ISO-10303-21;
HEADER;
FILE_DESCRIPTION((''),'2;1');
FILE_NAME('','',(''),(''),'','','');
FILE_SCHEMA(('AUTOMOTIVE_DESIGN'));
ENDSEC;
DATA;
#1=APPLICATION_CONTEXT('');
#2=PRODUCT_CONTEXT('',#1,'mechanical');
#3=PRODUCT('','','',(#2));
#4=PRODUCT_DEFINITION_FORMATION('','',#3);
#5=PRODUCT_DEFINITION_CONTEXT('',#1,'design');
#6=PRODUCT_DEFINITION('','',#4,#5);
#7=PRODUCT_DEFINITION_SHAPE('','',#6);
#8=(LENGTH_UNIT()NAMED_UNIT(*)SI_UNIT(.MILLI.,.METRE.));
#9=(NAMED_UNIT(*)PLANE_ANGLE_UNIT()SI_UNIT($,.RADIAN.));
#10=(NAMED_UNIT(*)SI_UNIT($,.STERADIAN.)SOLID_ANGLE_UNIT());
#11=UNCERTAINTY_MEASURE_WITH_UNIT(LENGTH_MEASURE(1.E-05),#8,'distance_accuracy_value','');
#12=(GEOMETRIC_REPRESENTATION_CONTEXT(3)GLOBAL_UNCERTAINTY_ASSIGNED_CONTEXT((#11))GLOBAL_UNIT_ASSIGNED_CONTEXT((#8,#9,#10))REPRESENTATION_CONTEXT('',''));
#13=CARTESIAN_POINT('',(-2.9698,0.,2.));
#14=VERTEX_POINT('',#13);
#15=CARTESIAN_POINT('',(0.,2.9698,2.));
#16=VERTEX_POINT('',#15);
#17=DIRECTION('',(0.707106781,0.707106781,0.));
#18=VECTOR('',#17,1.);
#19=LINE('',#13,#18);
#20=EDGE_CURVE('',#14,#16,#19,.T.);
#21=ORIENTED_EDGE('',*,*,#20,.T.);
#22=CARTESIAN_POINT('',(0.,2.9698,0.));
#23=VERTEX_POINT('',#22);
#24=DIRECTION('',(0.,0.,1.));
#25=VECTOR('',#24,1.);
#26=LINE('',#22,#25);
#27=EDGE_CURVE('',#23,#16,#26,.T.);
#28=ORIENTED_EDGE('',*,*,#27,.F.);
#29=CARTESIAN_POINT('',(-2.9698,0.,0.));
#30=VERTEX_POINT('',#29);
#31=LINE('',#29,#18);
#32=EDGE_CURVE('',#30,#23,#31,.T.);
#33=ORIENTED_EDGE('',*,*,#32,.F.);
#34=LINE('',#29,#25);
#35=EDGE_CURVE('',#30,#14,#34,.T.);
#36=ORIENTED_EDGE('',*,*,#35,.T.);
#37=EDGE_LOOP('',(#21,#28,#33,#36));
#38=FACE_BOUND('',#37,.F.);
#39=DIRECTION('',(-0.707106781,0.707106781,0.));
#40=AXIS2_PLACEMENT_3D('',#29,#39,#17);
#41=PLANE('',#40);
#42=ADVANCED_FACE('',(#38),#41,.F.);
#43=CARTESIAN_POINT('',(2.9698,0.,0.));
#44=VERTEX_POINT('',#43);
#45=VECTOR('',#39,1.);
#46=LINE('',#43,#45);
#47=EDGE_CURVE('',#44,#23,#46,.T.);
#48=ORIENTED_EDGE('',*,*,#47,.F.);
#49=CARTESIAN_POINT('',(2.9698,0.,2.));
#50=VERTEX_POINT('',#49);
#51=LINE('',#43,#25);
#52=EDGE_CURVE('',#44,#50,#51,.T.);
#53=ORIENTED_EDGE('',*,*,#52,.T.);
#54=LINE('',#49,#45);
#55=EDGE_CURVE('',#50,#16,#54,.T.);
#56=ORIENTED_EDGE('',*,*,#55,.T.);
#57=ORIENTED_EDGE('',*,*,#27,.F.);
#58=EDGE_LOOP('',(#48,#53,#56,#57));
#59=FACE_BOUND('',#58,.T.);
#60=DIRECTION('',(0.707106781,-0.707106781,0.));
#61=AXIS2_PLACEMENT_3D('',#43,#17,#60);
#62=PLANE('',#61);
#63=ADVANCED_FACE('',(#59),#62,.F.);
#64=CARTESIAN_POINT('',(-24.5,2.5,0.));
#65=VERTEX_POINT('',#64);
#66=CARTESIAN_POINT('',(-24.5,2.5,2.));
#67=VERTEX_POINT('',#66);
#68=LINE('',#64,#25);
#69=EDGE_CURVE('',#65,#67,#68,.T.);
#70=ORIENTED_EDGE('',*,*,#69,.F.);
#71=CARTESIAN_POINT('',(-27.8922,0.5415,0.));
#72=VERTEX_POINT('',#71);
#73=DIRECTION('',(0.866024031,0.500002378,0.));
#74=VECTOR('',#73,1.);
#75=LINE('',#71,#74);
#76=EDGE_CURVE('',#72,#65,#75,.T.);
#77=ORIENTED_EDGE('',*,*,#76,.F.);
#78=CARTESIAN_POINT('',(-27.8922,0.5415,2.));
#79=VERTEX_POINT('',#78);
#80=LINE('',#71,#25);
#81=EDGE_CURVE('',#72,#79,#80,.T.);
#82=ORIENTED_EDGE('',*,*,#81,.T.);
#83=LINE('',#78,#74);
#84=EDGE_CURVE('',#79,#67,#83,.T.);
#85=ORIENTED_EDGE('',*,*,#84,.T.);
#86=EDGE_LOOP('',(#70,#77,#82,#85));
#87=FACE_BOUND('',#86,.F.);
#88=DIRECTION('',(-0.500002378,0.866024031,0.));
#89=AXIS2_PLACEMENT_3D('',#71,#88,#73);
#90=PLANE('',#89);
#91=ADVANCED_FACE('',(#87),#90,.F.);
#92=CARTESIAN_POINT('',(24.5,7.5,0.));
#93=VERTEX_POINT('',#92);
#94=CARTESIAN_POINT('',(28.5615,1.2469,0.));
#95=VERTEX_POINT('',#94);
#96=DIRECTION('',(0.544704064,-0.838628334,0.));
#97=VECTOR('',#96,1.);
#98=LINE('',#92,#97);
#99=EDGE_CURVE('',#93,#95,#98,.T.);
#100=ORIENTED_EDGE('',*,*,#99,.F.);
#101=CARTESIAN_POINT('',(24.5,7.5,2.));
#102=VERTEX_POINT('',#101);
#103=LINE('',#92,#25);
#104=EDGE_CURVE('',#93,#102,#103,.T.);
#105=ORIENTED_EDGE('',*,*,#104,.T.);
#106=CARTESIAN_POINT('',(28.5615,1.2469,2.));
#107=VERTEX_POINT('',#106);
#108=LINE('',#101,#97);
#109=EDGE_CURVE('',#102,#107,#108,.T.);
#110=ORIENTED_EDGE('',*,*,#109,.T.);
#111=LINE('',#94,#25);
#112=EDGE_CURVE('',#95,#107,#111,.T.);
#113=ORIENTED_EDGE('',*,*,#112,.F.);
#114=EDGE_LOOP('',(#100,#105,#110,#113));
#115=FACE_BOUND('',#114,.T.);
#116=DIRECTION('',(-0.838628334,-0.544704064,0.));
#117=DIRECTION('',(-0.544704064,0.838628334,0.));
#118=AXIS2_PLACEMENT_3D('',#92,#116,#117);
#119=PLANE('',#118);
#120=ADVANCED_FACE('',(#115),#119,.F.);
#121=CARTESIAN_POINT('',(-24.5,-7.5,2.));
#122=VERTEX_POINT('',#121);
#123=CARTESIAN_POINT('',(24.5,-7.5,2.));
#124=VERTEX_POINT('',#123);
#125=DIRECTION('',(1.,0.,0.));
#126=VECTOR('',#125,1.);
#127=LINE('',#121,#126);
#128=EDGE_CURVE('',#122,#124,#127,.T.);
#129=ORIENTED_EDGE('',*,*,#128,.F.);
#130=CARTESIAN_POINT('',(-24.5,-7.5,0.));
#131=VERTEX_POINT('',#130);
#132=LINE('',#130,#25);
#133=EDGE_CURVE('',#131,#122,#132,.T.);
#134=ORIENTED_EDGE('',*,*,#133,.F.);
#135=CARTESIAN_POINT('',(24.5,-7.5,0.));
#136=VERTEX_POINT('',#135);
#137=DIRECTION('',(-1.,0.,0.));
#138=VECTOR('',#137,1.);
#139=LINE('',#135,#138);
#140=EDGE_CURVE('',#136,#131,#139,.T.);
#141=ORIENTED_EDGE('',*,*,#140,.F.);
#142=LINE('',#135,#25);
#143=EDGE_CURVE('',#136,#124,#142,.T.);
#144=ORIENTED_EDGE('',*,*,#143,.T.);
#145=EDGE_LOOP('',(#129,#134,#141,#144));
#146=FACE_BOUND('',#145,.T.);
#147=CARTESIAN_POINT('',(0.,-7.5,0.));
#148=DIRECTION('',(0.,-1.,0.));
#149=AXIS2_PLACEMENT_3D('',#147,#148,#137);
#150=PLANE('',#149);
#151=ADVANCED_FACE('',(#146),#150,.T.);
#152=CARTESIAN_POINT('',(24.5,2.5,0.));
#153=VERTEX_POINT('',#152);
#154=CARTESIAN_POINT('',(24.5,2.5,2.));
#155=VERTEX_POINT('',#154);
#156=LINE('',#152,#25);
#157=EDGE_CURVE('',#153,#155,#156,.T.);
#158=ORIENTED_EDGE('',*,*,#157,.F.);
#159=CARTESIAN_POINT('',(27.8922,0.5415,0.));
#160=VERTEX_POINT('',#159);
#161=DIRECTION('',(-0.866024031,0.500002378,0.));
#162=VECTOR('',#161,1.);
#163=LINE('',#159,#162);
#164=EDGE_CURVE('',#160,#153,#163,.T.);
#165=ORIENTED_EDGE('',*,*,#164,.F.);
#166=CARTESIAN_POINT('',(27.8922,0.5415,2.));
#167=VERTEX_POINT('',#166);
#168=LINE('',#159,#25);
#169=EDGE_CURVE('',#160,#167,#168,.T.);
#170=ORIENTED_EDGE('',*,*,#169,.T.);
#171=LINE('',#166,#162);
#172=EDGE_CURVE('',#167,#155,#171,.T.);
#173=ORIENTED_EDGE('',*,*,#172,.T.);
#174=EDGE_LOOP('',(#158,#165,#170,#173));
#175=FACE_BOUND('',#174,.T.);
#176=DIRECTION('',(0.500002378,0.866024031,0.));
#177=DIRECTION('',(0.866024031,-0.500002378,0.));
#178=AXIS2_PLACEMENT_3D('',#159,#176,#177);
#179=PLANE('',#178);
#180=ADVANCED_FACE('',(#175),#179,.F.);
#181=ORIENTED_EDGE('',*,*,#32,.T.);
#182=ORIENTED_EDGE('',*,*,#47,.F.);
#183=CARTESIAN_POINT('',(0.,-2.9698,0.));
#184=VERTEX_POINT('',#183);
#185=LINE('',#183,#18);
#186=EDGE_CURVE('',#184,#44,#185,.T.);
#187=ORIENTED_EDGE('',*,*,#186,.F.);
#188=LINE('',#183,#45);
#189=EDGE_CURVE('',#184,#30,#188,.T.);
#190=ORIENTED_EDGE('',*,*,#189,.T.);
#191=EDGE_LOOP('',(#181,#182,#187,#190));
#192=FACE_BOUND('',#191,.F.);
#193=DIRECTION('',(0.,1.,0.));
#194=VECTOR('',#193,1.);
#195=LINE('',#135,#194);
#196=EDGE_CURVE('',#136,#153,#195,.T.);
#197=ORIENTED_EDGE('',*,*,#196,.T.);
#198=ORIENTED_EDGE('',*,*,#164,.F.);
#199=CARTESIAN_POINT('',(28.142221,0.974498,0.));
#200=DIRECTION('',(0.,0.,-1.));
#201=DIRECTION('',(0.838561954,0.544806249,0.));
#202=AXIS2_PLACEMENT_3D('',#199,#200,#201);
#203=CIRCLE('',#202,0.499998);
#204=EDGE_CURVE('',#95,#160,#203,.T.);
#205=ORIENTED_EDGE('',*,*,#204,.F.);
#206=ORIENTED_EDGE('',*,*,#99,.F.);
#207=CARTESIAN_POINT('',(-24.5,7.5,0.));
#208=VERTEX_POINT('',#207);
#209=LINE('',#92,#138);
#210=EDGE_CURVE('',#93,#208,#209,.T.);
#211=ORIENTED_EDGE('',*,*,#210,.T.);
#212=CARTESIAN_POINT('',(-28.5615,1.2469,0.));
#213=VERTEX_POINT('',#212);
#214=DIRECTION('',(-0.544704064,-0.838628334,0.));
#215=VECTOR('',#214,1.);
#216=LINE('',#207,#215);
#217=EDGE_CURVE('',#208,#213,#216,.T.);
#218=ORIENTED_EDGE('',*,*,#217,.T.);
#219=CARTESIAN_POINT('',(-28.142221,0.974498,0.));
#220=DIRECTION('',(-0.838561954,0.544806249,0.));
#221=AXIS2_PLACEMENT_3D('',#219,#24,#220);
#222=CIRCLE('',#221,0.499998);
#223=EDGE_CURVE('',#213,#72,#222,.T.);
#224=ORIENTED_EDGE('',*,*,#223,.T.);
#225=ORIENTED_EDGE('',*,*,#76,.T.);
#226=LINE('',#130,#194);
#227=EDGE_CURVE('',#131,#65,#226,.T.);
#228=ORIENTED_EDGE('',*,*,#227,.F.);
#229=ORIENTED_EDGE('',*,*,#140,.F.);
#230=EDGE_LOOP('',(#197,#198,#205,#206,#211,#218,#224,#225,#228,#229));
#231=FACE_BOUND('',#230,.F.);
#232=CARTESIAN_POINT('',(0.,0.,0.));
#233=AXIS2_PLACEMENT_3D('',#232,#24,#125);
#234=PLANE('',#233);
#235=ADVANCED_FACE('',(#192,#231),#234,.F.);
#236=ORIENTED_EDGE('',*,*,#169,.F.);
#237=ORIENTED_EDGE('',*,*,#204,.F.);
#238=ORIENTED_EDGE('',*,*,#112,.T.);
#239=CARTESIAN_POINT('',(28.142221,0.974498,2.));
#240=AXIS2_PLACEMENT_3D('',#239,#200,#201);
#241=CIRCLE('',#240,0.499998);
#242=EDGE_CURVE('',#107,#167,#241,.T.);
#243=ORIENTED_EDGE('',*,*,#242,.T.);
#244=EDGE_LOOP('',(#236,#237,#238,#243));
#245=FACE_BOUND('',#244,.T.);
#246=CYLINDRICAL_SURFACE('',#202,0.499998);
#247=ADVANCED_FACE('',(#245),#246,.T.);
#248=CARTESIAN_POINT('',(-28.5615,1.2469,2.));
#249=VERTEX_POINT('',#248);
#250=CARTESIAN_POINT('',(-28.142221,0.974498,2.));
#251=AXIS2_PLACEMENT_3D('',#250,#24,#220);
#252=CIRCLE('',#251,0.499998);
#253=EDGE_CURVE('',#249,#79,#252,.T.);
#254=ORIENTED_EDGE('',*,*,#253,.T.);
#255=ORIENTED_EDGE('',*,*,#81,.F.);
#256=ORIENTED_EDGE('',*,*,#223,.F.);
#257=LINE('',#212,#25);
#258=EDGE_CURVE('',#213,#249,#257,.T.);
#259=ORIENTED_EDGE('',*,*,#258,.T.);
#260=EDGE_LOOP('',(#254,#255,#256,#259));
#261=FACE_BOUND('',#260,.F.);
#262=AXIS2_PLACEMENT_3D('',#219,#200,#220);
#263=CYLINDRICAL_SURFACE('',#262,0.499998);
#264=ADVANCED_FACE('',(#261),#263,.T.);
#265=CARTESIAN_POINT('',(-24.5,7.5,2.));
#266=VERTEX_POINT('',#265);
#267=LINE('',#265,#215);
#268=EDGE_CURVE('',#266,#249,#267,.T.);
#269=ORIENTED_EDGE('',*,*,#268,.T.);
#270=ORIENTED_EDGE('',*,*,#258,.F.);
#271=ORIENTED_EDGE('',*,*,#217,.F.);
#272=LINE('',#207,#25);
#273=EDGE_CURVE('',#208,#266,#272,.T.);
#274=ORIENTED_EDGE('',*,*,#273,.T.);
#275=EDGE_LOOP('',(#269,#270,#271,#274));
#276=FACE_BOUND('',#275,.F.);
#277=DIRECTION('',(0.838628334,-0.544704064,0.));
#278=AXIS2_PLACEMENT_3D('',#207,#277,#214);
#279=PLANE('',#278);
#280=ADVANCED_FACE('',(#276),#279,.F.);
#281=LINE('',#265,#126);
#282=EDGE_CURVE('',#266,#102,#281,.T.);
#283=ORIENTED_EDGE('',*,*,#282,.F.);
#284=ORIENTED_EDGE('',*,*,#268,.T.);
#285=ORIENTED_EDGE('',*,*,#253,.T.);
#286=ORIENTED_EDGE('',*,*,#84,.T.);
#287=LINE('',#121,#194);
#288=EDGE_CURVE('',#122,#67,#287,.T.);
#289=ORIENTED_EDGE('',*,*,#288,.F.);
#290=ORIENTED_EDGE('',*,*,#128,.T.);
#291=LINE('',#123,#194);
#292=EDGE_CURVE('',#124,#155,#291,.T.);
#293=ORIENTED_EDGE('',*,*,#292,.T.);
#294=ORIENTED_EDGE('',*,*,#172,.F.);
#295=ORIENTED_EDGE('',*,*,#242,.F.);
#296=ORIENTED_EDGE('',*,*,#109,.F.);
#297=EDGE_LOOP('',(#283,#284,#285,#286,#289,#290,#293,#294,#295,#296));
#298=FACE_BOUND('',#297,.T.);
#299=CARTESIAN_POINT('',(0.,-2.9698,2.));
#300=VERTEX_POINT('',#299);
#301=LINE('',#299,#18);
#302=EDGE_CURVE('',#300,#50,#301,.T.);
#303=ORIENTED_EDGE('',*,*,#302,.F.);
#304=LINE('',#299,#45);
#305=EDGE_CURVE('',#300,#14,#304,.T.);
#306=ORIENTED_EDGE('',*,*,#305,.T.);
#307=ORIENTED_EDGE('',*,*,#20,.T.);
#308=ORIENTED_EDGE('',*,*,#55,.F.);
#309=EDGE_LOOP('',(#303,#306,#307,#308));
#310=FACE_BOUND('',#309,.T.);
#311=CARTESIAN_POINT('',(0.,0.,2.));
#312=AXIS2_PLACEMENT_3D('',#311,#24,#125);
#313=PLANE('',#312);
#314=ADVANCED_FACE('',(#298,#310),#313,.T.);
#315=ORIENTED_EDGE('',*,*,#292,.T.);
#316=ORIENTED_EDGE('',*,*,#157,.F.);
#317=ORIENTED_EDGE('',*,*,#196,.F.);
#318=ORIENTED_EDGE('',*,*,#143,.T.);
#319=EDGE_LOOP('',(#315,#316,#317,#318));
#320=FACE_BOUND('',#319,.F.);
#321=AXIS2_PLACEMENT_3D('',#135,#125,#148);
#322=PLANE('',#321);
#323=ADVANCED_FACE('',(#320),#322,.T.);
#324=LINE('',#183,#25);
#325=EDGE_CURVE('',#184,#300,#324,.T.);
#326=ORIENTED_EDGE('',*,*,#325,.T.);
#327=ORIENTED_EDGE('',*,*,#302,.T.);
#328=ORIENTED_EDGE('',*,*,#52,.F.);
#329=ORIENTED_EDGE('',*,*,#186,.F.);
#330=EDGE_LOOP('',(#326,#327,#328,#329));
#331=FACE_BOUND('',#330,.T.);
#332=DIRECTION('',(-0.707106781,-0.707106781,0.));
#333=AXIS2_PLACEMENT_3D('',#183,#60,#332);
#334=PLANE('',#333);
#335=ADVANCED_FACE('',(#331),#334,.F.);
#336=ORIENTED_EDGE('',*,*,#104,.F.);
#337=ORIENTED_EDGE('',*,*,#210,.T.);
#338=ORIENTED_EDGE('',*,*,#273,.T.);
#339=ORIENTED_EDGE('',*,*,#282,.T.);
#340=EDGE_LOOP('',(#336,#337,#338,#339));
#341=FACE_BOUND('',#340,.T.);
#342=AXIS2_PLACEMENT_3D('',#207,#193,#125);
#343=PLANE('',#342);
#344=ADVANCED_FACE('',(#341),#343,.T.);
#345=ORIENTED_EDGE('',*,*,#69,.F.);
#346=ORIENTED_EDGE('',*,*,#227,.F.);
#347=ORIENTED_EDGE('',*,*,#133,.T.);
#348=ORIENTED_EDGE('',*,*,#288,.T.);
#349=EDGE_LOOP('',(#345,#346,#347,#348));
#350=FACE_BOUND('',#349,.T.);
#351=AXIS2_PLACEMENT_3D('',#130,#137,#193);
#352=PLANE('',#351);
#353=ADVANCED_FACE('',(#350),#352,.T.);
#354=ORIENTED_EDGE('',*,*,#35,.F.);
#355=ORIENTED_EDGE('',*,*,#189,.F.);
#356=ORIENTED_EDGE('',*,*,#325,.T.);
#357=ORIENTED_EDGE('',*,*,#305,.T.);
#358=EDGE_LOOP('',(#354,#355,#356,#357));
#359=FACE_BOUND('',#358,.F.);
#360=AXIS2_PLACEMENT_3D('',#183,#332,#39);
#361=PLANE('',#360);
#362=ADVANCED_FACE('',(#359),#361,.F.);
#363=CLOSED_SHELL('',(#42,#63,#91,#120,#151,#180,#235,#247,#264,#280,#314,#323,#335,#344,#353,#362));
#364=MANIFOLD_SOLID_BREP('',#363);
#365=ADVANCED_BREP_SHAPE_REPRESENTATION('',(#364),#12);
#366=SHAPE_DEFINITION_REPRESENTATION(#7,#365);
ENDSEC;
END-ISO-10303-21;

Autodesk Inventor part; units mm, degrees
ref_plane "YZ Plane" through (0, 0, 0) normal (1, 0, 0) x (0, 1, 0)
ref_plane "XZ Plane" through (0, 0, 0) normal (0, 1, 0) x (-1, 0, 0)
ref_plane "XY Plane" through (0, 0, 0) normal (0, 0, 1) x (1, 0, 0)
sketch "スケッチ1" plane through (0, 0, 0) normal (0, 0, 1) x (1, 0, 0)
  line L0 (-24.5, 7.5) -> (24.5, 7.5)
  line L1 (24.5, 7.5) -> (24.5, -7.5)
  line L2 (24.5, -7.5) -> (-24.5, -7.5)
  line L3 (-24.5, -7.5) -> (-24.5, 7.5)
  line L4 (-2.9698, 0) -> (0, 2.9698)
  line L5 (0, 2.9698) -> (2.9698, 0)
  line L6 (2.9698, 0) -> (0, -2.9698)
  line L7 (0, -2.9698) -> (-2.9698, 0)
  line L8 (-24.5, 7.5) -> (-28.5615, 1.2469)
  line L9 (-27.8922, 0.5415) -> (-24.5, 2.5)
  arc A0 (-28.5615, 1.2469) -> (-27.8922, 0.5415) centre (-28.1422, 0.9745) ccw
  line L10 (0, 7.5) -> (0, -7.5)
  point P0 (0, 0)
  point P1 (0, 0)
  point P2 (-24.5, 0)
  point P3 (-29.6962, -0.5)
  dimension "d0" = 4.2
  dimension "d1" = 15
  dimension "d2" = 49
  dimension "d3" = 6
  dimension "d4" = 60
  dimension "d5" = 5
  dimension "d6" = 0.5
extrude "押し出し1" add sketch "スケッチ1" along normal blind 2 contours L0 L10 L4 L7 L2 L3 | L3 L9 A0 L8
mirror "ミラー1" about plane through (0, 2.9698, 0) normal (1, 0, 0) of "押し出し1"
properties part number "om_BackHolder_R"
